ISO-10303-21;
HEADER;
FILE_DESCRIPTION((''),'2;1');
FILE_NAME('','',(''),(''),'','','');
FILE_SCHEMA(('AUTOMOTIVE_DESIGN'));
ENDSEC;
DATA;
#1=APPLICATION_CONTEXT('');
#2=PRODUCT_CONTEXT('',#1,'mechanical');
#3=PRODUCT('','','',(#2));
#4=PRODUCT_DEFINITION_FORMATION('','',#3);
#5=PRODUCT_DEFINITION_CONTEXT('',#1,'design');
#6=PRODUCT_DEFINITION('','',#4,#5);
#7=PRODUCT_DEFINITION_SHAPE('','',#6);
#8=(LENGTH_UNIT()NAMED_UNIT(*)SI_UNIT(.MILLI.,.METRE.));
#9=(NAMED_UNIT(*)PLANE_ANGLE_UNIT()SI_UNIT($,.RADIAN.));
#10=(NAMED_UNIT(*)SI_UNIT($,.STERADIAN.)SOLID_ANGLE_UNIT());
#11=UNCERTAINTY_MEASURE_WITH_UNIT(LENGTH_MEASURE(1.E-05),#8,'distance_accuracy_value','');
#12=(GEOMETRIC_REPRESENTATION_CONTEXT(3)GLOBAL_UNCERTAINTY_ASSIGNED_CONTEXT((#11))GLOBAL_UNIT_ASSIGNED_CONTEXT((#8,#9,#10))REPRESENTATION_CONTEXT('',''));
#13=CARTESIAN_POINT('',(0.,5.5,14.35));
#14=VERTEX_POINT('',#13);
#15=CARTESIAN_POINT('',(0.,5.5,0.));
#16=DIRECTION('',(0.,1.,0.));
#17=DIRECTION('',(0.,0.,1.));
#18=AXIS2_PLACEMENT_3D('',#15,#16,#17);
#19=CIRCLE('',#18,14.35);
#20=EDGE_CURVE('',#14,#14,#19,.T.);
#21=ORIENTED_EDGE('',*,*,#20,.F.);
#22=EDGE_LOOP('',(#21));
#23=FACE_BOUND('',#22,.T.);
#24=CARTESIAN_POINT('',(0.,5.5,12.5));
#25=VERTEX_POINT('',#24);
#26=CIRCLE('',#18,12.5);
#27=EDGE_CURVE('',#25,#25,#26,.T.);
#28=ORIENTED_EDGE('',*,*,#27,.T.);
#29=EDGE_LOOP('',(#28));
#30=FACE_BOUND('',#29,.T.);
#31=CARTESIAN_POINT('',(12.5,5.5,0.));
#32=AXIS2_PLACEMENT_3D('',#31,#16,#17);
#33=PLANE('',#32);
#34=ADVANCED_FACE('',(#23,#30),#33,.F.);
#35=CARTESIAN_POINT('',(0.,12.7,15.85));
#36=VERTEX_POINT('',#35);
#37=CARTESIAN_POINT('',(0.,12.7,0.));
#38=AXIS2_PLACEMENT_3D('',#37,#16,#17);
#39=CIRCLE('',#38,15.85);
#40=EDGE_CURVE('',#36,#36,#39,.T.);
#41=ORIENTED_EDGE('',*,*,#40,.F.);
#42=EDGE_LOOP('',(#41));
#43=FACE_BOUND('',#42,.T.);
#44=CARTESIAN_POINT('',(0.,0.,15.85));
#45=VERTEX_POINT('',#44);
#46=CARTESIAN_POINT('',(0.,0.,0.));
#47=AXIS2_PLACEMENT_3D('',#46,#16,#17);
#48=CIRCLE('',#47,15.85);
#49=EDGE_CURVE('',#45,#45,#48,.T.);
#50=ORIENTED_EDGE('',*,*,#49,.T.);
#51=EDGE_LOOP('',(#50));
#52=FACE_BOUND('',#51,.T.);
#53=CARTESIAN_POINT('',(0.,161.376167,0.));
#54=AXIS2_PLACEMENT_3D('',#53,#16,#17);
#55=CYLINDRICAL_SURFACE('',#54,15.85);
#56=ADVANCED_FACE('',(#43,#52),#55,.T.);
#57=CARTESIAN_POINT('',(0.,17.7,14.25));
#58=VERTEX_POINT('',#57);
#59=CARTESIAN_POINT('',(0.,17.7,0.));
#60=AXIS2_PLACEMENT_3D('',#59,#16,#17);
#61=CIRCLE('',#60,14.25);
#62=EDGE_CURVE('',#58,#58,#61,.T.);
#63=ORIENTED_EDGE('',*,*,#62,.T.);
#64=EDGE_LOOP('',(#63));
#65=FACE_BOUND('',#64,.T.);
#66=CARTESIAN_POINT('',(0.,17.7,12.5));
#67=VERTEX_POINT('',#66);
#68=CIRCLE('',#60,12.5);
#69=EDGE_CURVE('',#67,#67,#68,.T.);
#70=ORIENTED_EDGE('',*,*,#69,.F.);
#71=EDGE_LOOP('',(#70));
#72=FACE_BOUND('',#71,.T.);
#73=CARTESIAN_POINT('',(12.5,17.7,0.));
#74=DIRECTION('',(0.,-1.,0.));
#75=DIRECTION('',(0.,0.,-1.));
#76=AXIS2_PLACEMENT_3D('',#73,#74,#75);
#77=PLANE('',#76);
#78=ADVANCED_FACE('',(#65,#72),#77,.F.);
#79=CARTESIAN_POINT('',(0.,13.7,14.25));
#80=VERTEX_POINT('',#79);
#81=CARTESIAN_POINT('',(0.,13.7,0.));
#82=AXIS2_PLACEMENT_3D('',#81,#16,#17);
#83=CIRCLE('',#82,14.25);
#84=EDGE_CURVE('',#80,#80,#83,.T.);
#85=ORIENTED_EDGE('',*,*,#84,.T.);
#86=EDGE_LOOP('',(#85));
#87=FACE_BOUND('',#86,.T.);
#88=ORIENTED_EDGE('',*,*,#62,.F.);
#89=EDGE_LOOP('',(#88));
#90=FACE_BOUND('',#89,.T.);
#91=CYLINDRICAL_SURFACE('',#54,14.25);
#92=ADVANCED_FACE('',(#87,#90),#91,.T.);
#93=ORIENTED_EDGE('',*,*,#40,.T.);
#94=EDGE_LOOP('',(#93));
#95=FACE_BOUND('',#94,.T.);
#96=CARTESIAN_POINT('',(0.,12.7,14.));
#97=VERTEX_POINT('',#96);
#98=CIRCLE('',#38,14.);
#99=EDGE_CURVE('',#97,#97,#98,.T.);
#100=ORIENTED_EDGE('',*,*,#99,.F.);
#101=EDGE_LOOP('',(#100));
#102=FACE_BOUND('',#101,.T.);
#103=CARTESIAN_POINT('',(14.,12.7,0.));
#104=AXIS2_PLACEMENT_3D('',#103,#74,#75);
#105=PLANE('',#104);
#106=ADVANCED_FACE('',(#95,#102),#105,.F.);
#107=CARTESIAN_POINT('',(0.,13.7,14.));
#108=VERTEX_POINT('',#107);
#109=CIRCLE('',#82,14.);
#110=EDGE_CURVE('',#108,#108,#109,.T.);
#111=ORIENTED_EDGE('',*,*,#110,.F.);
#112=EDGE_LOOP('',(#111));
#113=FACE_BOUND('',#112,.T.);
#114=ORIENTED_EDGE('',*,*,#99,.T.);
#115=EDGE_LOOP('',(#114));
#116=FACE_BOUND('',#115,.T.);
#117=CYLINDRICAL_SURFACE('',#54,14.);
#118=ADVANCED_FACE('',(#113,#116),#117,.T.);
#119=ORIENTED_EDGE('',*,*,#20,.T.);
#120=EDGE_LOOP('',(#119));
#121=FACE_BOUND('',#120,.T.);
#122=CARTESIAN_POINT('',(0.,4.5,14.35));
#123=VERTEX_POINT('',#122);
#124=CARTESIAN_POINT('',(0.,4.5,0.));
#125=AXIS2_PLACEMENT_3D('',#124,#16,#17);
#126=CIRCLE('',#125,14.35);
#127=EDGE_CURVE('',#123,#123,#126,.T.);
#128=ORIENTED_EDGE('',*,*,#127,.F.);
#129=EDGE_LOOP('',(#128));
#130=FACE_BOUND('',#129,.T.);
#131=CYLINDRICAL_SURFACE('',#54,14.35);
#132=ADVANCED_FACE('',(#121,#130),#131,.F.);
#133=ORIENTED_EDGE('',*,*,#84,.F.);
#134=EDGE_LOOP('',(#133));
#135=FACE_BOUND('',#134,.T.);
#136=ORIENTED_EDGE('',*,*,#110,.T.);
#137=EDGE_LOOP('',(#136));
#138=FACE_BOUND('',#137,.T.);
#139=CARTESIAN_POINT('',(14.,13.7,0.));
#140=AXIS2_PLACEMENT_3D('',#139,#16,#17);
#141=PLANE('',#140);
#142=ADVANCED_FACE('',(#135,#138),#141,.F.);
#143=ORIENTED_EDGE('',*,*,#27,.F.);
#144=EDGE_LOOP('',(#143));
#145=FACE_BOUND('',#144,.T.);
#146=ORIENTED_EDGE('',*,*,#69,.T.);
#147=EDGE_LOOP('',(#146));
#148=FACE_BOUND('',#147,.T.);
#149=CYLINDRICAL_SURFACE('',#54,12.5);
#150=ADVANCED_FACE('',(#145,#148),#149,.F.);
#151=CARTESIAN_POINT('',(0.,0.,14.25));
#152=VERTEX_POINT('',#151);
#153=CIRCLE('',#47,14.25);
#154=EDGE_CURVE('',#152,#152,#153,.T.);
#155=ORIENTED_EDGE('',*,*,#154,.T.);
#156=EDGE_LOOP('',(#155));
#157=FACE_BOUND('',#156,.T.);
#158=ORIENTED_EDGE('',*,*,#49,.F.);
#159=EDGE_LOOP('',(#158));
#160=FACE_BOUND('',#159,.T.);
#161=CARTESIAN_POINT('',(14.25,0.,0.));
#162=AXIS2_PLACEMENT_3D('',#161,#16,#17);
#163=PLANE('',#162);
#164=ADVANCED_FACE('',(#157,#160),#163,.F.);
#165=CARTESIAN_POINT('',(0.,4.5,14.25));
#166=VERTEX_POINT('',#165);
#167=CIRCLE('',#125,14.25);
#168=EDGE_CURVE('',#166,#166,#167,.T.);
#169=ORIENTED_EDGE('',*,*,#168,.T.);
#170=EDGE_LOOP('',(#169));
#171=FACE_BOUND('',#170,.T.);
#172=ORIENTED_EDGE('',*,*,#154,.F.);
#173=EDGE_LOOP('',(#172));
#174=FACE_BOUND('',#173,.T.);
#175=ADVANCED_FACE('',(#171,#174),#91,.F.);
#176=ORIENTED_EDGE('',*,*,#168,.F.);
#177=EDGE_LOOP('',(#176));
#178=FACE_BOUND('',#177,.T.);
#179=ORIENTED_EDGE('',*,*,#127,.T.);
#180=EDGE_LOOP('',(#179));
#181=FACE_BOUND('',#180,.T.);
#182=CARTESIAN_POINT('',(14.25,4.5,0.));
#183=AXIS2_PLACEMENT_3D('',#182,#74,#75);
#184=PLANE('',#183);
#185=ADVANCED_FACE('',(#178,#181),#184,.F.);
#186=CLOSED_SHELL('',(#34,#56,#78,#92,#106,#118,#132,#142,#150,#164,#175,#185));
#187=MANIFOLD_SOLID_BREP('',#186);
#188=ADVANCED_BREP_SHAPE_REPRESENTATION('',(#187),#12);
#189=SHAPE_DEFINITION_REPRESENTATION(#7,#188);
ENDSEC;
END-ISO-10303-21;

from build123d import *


with BuildPart() as part:
    # 草图1 → 旋转1 (revolve)
    with BuildSketch(Plane.XY, mode=Mode.PRIVATE) as revolve_1_sk:
        Polygon((14.25, 0), (14.25, 4.5), (14.35, 4.5), (14.35, 5.5), (12.5, 5.5), (12.5, 17.7), (14.25, 17.7), (14.25, 13.7), (14, 13.7), (14, 12.7), (15.85, 12.7), (15.85, 0), align=None)
    revolve(revolve_1_sk.sketch.rotate(Axis((0, 161.376166943, 0), (0, -1, 0)), 90), axis=Axis((0, 161.376166943, 0), (0, -1, 0)))  # turned: the seam where the file's is


solid = part.part
